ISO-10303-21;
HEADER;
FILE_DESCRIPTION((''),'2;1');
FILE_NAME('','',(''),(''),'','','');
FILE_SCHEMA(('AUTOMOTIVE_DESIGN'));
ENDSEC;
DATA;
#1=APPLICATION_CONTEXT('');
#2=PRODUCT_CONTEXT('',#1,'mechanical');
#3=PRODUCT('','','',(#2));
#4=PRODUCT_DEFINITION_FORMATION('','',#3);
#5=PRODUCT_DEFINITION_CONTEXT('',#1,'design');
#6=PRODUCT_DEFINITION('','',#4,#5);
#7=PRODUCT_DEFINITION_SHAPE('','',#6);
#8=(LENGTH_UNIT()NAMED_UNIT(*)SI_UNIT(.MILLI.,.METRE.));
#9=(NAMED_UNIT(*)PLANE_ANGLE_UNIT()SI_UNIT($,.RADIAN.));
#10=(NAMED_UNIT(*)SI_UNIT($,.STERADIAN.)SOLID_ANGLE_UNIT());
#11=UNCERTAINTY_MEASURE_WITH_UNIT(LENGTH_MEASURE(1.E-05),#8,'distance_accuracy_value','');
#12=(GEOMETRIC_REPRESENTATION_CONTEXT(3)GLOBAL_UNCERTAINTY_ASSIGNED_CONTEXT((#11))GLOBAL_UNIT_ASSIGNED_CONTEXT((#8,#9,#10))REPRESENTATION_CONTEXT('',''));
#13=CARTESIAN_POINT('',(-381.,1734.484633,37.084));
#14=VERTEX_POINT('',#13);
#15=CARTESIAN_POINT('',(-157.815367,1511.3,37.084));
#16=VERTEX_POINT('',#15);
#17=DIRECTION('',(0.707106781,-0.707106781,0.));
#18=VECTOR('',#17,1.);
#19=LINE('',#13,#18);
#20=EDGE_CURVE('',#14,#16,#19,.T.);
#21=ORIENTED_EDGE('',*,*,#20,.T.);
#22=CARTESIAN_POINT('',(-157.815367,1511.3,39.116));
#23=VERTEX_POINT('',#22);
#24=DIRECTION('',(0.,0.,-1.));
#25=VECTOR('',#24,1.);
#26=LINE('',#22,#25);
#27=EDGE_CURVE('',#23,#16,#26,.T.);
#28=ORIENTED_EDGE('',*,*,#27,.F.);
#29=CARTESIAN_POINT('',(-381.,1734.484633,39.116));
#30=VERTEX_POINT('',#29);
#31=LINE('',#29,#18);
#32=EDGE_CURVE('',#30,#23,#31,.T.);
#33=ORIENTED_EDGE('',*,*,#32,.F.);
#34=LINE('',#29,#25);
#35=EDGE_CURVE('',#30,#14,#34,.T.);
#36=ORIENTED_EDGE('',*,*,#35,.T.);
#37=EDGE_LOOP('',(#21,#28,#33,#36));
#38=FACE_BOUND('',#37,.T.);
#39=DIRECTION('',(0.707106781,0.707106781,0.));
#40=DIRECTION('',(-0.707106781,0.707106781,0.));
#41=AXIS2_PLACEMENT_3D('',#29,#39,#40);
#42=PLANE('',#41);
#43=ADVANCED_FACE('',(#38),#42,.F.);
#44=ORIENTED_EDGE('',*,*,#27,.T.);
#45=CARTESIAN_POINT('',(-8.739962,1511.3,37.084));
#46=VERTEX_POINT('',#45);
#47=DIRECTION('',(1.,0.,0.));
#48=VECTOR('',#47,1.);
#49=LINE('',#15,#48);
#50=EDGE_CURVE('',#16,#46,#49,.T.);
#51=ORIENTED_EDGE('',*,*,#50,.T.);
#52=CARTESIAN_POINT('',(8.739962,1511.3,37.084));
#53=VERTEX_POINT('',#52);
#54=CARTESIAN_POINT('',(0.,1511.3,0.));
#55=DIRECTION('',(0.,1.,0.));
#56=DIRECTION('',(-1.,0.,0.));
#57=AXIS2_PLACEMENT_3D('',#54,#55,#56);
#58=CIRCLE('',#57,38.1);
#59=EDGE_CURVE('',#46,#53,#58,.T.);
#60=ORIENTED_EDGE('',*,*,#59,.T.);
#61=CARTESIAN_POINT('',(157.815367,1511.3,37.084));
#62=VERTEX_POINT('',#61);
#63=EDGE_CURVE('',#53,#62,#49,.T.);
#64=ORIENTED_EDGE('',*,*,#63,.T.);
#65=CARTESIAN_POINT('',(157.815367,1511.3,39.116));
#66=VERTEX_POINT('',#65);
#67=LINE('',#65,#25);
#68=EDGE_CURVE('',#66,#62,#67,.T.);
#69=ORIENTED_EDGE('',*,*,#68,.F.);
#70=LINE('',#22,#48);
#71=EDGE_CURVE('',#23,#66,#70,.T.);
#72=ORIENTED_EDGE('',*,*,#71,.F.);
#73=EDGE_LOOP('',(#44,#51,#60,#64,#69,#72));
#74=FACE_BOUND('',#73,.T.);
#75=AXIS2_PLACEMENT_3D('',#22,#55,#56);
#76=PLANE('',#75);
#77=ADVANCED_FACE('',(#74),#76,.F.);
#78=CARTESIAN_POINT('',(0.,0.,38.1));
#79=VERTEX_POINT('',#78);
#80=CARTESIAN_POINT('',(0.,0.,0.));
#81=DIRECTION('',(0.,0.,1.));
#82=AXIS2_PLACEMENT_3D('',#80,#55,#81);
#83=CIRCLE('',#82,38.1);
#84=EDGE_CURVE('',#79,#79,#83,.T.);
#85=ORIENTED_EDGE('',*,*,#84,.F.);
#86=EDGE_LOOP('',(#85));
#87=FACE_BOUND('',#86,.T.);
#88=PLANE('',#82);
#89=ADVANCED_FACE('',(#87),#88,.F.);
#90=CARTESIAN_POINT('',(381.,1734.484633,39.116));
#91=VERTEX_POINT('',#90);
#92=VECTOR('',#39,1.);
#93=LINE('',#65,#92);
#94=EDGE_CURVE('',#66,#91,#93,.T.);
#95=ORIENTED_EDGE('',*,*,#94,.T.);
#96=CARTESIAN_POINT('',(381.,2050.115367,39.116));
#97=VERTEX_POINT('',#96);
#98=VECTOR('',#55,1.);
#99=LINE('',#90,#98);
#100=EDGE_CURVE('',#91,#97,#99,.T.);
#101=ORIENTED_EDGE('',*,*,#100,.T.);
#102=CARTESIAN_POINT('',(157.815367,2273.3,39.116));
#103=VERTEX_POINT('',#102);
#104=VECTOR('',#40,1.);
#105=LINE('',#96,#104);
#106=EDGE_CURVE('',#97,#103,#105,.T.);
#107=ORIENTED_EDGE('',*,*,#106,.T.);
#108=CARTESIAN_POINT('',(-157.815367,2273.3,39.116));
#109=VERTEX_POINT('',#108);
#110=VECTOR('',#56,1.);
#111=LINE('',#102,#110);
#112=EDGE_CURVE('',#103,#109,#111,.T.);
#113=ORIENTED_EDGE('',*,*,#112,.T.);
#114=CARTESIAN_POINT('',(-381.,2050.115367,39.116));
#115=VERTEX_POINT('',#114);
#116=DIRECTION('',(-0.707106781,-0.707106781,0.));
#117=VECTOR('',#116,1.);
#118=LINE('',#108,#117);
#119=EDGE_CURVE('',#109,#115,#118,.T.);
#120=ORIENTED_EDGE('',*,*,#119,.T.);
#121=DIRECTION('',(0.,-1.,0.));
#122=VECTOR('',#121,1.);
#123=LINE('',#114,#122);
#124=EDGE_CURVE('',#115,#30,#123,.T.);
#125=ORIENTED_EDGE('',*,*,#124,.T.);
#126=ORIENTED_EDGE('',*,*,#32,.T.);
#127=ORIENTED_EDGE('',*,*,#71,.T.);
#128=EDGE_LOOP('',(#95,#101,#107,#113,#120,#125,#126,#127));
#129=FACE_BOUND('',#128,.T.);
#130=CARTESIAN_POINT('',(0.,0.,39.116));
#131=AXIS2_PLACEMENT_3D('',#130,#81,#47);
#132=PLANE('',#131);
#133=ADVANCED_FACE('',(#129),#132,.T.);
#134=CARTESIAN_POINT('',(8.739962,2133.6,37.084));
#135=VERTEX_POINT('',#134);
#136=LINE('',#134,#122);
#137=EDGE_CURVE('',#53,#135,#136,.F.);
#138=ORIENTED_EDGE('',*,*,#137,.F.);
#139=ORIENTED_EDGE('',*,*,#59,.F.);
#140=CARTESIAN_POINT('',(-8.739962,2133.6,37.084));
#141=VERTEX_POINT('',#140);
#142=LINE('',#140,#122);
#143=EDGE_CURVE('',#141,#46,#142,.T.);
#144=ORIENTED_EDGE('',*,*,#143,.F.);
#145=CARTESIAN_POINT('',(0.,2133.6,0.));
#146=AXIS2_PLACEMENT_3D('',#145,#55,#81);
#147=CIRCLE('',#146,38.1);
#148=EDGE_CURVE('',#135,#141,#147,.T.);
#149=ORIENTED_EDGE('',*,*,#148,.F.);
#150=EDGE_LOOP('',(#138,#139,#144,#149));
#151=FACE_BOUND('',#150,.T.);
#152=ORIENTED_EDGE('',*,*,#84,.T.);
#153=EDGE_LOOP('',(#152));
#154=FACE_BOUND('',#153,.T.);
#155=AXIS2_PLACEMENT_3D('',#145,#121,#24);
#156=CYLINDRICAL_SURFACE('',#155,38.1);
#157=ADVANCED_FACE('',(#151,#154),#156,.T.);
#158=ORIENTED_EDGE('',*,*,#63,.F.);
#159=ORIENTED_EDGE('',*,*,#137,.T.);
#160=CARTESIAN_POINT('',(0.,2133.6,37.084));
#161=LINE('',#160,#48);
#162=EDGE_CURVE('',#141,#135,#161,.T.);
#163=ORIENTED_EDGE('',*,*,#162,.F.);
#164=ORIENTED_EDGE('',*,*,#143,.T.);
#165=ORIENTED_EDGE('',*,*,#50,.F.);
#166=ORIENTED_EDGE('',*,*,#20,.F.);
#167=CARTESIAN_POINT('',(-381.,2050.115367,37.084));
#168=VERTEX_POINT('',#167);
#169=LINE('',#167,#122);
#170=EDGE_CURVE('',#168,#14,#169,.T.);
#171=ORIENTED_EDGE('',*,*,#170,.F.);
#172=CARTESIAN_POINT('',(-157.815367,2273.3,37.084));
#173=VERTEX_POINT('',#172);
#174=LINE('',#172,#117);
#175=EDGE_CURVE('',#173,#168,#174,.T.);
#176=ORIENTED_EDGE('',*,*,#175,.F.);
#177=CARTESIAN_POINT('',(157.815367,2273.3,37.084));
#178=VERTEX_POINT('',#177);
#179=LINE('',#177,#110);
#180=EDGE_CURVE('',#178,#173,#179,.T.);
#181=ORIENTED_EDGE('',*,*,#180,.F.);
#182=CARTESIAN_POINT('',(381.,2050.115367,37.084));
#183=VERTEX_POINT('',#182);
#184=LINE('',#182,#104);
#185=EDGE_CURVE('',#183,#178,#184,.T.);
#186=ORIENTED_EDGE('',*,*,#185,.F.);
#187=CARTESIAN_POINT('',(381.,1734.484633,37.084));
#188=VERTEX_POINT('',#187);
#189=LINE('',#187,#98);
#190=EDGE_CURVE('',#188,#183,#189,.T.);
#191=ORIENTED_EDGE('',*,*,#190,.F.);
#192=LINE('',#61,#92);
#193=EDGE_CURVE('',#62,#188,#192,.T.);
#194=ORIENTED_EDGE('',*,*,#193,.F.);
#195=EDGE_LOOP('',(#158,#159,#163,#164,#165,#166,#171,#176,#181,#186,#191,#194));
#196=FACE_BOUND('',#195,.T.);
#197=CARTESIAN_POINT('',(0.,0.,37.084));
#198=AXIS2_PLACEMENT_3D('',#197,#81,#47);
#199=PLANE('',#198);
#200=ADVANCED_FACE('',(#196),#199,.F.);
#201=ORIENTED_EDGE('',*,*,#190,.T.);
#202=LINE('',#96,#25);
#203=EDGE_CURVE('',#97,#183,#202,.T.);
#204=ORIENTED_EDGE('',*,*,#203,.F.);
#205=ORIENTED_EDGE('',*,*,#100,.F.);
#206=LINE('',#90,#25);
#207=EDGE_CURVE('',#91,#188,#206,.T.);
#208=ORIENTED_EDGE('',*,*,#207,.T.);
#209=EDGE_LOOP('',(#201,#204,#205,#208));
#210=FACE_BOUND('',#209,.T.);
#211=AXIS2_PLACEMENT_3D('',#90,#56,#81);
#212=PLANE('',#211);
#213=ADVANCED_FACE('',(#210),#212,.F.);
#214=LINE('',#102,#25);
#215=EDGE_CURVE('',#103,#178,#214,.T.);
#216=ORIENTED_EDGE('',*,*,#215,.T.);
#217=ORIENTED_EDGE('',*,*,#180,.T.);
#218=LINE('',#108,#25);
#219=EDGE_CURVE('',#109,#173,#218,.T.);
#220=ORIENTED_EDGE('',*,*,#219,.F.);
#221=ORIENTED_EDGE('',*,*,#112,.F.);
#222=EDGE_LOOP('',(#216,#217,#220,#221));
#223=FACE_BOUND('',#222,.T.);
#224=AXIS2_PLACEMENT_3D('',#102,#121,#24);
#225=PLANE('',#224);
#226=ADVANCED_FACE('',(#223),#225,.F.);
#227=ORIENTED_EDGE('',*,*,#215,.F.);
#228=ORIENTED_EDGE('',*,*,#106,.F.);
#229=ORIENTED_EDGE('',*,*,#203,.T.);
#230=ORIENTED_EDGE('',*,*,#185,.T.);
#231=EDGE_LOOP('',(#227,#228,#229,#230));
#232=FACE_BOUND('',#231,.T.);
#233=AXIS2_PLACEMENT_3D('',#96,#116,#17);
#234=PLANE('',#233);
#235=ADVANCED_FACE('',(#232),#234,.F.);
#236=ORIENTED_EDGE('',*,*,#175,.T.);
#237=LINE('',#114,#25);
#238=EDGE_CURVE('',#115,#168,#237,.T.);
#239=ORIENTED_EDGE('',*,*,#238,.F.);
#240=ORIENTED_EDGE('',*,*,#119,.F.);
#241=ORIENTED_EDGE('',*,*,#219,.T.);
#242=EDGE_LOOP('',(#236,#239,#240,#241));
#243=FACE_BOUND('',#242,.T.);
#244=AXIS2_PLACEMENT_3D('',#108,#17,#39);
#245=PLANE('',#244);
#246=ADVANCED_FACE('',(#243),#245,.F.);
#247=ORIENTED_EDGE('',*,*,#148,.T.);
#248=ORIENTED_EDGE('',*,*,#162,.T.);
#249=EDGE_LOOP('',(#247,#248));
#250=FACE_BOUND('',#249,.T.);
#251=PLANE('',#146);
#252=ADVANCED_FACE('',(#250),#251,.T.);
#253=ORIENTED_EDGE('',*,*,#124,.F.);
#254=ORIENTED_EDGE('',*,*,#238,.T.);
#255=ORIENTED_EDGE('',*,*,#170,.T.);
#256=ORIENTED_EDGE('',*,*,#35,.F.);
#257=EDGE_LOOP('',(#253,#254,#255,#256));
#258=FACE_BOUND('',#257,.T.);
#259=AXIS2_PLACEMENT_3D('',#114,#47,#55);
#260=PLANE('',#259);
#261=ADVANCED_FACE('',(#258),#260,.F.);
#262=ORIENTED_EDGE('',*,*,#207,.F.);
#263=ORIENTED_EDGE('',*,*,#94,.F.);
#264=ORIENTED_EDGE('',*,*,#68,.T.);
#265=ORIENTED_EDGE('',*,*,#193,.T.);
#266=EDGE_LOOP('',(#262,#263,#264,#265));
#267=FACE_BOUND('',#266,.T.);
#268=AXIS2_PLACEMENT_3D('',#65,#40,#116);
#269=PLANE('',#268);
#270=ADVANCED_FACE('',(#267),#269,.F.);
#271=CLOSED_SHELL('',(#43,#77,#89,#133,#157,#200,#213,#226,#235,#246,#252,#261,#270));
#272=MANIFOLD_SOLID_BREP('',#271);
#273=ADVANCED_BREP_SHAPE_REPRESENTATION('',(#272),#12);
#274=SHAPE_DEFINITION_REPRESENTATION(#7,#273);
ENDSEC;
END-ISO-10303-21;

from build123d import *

# Parameters (mm, degrees)
SKETCH3_R           = 38.1
BOSS_EXTRUDE1_DEPTH = 2133.6
BOSS_EXTRUDE2_START = 38.1
BOSS_EXTRUDE2_DEPTH = 1.016


with BuildPart() as part:
    # Sketch3 → Boss-Extrude1 (new body)
    with BuildSketch(Plane(origin=(0, 0, 0), x_dir=(1, 0, 0), z_dir=(0, 1, 0))):
        with Locations(Location((0, 0, 0), (0, 0, 270))):
            Circle(SKETCH3_R)
    extrude(amount=BOSS_EXTRUDE1_DEPTH)

    # Sketch5 → Boss-Extrude2 (add, symmetric)
    with BuildSketch(Plane.XY.offset(BOSS_EXTRUDE2_START)):
        Polygon((-381, 1734.484632736), (-157.815367264, 1511.3), (157.815367264, 1511.3), (381, 1734.484632736), (381, 2050.115367264), (157.815367264, 2273.3), (-157.815367264, 2273.3), (-381, 2050.115367264), align=None)
    extrude(amount=BOSS_EXTRUDE2_DEPTH, both=True)


solid = part.part
